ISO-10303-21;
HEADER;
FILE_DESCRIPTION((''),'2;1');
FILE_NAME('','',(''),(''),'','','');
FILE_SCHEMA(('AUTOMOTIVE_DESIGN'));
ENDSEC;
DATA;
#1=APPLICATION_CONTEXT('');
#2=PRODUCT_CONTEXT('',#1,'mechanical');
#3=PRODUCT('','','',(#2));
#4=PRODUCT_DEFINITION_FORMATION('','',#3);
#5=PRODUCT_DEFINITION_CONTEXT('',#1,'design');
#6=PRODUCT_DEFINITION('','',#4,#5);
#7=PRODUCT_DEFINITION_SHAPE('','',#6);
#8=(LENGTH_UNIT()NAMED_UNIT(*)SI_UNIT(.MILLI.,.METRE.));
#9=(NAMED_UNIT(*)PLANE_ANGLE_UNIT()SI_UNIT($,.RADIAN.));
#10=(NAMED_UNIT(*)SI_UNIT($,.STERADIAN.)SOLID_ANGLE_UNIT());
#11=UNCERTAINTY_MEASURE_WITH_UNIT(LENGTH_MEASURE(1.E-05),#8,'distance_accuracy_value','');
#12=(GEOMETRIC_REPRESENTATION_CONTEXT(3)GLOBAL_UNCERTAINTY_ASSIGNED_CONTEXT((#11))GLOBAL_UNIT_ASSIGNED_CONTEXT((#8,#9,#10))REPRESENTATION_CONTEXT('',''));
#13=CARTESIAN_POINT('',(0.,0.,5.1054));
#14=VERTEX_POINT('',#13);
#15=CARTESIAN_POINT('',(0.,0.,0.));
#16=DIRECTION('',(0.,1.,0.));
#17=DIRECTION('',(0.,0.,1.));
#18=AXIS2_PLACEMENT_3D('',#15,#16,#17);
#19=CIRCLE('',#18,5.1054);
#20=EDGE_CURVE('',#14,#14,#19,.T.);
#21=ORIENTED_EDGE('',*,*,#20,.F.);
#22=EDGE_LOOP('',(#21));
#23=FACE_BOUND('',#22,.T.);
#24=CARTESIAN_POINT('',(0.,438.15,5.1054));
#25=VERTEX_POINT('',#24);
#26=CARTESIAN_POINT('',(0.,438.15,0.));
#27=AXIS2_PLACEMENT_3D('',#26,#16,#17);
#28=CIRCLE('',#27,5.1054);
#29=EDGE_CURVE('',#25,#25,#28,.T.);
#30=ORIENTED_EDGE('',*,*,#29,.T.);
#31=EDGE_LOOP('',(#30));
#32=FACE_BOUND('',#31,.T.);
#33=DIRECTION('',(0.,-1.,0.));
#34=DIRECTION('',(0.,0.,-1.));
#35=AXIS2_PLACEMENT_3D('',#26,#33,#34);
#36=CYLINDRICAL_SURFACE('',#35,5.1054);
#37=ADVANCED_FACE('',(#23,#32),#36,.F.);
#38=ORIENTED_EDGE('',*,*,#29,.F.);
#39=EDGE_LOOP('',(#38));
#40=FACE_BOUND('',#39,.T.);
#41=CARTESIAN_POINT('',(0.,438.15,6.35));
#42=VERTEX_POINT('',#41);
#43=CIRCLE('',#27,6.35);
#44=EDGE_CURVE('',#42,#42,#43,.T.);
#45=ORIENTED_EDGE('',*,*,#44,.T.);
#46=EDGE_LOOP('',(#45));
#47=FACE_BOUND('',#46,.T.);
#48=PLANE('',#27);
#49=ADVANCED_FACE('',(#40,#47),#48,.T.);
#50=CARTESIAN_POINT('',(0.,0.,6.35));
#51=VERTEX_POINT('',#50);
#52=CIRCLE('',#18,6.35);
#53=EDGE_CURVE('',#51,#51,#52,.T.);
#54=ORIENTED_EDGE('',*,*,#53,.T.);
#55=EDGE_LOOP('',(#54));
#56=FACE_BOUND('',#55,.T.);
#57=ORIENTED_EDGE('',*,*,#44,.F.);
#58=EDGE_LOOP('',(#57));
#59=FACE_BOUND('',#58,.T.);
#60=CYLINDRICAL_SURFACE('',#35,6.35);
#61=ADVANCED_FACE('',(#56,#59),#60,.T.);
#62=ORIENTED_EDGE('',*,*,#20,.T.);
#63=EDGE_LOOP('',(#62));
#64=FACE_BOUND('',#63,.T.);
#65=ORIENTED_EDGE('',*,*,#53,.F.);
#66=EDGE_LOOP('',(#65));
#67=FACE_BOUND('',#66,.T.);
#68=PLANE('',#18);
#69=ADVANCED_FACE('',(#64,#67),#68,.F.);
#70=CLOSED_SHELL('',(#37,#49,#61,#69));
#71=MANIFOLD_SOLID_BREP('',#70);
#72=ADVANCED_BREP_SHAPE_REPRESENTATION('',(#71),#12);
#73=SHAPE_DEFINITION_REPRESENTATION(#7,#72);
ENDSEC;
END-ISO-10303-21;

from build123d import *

# Parameters (mm, degrees)
SKETCH1_R           = 6.35
SKETCH1_R_2         = 5.1054
BOSS_EXTRUDE1_DEPTH = 438.15


with BuildPart() as part:
    # Sketch1 → Boss-Extrude1 (new body)
    with BuildSketch(Plane(origin=(0, 0, 0), x_dir=(1, 0, 0), z_dir=(0, 1, 0))):
        with Locations(Location((0, 0, 0), (0, 0, 270))):
            Circle(SKETCH1_R)
        with Locations(Location((0, 0, 0), (0, 0, 270))):
            Circle(SKETCH1_R_2, mode=Mode.SUBTRACT)
    extrude(amount=BOSS_EXTRUDE1_DEPTH)


solid = part.part
